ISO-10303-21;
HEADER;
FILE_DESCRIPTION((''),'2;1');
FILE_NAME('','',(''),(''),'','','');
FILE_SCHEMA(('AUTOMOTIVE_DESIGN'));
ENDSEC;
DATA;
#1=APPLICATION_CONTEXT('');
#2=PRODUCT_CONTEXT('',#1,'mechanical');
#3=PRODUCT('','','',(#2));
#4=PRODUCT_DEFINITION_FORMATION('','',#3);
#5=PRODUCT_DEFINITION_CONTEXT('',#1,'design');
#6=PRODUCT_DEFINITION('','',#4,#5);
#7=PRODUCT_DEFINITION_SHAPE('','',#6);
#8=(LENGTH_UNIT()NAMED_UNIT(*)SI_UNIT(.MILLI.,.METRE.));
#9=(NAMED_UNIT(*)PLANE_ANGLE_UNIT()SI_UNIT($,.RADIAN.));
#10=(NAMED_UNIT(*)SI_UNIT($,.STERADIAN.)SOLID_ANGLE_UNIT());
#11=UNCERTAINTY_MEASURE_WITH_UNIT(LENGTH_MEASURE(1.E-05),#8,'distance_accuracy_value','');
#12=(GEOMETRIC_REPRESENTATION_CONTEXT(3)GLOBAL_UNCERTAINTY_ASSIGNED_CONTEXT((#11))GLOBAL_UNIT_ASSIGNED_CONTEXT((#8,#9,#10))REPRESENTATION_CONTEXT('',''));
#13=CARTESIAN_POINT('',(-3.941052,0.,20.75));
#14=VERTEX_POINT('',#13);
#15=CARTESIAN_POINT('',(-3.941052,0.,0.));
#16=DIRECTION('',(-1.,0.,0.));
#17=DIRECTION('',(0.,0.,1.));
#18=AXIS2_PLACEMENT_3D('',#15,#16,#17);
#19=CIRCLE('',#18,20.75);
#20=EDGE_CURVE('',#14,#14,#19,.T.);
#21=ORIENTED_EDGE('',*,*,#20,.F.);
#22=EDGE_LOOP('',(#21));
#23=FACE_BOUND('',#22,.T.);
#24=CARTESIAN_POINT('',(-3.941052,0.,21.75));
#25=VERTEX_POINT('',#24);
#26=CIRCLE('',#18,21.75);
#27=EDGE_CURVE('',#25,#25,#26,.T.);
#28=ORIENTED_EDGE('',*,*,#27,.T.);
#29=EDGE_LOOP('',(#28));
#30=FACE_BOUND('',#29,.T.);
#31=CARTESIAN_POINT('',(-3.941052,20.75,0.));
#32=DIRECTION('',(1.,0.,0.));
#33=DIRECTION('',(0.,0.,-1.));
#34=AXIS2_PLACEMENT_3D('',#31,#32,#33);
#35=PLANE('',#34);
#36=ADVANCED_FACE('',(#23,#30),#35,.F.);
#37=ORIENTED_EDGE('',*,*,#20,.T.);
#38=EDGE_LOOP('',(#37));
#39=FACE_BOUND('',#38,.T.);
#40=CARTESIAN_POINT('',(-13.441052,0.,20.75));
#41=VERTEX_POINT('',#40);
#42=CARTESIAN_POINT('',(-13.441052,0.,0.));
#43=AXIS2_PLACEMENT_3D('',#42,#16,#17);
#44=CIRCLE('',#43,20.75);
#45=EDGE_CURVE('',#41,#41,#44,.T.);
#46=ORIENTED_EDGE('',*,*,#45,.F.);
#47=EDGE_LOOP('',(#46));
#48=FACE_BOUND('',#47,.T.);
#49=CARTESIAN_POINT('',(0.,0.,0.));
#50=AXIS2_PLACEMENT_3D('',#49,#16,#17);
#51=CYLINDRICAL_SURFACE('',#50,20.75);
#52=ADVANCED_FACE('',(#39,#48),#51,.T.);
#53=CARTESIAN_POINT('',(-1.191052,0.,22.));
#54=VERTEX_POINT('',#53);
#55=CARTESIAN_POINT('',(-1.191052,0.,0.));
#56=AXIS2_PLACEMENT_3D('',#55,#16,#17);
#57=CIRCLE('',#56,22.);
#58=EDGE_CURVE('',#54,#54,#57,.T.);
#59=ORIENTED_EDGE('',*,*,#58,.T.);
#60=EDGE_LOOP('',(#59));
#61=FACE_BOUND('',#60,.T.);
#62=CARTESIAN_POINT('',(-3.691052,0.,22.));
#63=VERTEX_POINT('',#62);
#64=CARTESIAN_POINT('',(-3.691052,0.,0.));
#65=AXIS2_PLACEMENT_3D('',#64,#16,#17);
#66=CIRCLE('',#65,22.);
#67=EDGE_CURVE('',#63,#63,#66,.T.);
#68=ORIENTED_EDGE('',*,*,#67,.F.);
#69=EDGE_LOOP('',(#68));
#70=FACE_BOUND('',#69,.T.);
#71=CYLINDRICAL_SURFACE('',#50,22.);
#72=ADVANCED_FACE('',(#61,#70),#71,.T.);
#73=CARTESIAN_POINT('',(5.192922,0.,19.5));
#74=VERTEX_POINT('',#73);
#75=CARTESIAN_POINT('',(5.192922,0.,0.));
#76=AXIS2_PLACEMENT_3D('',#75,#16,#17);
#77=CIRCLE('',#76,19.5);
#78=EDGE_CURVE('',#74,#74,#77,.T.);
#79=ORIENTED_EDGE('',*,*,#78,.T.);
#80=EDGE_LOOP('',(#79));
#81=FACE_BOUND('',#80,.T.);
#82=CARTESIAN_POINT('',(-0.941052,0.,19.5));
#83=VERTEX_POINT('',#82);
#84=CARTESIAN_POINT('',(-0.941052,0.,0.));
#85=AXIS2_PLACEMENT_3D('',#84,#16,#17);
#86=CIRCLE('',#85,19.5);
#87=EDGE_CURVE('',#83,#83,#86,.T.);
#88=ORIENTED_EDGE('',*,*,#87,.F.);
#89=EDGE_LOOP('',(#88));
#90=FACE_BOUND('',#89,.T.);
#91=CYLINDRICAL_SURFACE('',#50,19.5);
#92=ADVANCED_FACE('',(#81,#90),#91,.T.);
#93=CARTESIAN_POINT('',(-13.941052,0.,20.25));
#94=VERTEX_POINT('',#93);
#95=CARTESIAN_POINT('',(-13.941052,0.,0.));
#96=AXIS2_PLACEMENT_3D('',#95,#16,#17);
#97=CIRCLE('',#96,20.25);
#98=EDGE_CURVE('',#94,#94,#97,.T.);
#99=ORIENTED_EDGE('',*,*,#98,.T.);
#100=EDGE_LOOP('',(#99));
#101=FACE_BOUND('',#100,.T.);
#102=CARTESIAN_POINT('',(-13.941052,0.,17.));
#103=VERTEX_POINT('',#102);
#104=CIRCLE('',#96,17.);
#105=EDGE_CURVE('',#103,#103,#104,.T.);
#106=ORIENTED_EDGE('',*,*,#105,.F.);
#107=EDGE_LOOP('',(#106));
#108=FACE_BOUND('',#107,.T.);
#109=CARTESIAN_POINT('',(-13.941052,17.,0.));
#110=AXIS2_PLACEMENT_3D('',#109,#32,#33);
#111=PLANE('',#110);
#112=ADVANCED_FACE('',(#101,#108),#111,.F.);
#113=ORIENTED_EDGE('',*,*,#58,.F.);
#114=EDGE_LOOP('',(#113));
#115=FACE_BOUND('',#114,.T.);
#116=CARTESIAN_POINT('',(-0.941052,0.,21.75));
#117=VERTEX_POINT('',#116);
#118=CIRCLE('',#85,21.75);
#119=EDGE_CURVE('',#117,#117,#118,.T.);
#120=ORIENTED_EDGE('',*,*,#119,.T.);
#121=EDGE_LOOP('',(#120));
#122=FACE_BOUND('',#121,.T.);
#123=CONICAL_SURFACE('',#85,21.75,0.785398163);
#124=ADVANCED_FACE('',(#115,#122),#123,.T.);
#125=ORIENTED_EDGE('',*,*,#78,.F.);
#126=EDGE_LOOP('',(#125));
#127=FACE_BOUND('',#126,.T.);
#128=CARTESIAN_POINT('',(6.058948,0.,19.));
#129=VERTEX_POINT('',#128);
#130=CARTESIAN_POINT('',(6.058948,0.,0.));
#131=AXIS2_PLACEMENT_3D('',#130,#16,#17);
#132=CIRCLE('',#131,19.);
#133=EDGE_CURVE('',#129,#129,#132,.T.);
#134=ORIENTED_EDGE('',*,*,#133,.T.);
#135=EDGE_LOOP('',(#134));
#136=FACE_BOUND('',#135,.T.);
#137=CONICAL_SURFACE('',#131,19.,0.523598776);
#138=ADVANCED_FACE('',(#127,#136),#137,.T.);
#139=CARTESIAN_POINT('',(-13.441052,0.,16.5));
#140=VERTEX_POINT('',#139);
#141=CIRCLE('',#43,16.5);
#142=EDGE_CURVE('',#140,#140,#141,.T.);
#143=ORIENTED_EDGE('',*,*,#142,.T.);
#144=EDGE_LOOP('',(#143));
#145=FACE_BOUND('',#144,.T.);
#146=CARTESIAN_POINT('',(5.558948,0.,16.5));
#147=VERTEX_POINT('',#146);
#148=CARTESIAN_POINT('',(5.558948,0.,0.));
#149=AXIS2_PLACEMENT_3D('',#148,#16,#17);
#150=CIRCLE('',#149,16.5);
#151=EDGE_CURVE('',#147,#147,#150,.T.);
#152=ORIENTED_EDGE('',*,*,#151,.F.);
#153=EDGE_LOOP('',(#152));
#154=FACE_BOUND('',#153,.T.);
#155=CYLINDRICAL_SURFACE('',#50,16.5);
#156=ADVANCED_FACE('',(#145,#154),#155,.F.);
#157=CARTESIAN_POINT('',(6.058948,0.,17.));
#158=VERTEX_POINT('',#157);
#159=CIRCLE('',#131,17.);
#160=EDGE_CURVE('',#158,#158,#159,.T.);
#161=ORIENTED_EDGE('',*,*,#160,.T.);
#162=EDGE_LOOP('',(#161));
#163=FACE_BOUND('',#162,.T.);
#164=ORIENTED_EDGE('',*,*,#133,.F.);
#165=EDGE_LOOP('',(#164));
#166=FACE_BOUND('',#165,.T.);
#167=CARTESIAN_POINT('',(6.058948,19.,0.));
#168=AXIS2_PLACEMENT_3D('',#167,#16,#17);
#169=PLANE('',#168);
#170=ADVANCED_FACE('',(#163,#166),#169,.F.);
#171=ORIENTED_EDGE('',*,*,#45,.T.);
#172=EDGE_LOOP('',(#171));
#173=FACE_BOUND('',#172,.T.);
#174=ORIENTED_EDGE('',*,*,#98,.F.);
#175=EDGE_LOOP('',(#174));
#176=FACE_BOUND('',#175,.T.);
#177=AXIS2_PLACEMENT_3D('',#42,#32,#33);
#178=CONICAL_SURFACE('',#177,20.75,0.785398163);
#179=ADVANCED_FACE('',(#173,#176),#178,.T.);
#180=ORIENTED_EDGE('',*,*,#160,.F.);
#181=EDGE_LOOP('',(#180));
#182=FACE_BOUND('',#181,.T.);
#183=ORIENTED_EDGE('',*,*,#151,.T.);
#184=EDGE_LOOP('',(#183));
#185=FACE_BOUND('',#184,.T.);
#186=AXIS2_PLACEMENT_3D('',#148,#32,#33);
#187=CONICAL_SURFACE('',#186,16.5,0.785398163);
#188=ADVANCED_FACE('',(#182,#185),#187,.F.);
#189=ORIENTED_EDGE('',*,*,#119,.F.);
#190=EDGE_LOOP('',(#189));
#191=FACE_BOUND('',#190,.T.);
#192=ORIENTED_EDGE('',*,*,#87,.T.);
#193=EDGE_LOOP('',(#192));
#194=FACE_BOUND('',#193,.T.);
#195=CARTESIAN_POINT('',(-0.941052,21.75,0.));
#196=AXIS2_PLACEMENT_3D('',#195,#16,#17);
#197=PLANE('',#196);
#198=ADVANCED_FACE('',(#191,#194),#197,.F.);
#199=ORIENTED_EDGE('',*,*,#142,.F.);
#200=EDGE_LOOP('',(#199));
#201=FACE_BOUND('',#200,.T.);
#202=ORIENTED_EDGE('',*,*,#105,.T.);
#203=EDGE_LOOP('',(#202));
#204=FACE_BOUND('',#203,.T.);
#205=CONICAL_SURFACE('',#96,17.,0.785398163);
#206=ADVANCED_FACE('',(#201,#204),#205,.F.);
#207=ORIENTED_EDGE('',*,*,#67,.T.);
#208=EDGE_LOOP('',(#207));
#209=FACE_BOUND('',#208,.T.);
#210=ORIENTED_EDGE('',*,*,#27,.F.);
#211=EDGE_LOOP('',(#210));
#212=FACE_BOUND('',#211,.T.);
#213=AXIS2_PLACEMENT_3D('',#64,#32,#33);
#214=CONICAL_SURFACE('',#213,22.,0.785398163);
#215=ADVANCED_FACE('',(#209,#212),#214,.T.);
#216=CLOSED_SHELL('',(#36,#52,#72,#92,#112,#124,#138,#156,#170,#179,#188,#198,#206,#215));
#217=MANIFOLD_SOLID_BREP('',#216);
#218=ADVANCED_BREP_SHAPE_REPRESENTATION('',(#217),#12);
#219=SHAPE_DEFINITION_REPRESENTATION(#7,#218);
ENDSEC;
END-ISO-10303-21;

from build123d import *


with BuildPart() as part:
    # Esquisse1 → Révolution1 (revolve)
    with BuildSketch(Plane.XY, mode=Mode.PRIVATE) as r_volution1_sk:
        Polygon((-13.941052428, 17), (-13.941052428, 20.25), (-13.441052428, 20.75), (-3.941052428, 20.75), (-3.941052428, 21.75), (-3.691052428, 22), (-1.191052428, 22), (-0.941052428, 21.75), (-0.941052428, 19.5), (5.192922168, 19.5), (6.058947572, 19), (6.058947572, 17), (5.558947572, 16.5), (-13.441052428, 16.5), align=None)
    revolve(r_volution1_sk.sketch.rotate(Axis((0, 0, 0), (1, 0, 0)), 90), axis=Axis((0, 0, 0), (1, 0, 0)))  # turned: the seam where the file's is


solid = part.part
